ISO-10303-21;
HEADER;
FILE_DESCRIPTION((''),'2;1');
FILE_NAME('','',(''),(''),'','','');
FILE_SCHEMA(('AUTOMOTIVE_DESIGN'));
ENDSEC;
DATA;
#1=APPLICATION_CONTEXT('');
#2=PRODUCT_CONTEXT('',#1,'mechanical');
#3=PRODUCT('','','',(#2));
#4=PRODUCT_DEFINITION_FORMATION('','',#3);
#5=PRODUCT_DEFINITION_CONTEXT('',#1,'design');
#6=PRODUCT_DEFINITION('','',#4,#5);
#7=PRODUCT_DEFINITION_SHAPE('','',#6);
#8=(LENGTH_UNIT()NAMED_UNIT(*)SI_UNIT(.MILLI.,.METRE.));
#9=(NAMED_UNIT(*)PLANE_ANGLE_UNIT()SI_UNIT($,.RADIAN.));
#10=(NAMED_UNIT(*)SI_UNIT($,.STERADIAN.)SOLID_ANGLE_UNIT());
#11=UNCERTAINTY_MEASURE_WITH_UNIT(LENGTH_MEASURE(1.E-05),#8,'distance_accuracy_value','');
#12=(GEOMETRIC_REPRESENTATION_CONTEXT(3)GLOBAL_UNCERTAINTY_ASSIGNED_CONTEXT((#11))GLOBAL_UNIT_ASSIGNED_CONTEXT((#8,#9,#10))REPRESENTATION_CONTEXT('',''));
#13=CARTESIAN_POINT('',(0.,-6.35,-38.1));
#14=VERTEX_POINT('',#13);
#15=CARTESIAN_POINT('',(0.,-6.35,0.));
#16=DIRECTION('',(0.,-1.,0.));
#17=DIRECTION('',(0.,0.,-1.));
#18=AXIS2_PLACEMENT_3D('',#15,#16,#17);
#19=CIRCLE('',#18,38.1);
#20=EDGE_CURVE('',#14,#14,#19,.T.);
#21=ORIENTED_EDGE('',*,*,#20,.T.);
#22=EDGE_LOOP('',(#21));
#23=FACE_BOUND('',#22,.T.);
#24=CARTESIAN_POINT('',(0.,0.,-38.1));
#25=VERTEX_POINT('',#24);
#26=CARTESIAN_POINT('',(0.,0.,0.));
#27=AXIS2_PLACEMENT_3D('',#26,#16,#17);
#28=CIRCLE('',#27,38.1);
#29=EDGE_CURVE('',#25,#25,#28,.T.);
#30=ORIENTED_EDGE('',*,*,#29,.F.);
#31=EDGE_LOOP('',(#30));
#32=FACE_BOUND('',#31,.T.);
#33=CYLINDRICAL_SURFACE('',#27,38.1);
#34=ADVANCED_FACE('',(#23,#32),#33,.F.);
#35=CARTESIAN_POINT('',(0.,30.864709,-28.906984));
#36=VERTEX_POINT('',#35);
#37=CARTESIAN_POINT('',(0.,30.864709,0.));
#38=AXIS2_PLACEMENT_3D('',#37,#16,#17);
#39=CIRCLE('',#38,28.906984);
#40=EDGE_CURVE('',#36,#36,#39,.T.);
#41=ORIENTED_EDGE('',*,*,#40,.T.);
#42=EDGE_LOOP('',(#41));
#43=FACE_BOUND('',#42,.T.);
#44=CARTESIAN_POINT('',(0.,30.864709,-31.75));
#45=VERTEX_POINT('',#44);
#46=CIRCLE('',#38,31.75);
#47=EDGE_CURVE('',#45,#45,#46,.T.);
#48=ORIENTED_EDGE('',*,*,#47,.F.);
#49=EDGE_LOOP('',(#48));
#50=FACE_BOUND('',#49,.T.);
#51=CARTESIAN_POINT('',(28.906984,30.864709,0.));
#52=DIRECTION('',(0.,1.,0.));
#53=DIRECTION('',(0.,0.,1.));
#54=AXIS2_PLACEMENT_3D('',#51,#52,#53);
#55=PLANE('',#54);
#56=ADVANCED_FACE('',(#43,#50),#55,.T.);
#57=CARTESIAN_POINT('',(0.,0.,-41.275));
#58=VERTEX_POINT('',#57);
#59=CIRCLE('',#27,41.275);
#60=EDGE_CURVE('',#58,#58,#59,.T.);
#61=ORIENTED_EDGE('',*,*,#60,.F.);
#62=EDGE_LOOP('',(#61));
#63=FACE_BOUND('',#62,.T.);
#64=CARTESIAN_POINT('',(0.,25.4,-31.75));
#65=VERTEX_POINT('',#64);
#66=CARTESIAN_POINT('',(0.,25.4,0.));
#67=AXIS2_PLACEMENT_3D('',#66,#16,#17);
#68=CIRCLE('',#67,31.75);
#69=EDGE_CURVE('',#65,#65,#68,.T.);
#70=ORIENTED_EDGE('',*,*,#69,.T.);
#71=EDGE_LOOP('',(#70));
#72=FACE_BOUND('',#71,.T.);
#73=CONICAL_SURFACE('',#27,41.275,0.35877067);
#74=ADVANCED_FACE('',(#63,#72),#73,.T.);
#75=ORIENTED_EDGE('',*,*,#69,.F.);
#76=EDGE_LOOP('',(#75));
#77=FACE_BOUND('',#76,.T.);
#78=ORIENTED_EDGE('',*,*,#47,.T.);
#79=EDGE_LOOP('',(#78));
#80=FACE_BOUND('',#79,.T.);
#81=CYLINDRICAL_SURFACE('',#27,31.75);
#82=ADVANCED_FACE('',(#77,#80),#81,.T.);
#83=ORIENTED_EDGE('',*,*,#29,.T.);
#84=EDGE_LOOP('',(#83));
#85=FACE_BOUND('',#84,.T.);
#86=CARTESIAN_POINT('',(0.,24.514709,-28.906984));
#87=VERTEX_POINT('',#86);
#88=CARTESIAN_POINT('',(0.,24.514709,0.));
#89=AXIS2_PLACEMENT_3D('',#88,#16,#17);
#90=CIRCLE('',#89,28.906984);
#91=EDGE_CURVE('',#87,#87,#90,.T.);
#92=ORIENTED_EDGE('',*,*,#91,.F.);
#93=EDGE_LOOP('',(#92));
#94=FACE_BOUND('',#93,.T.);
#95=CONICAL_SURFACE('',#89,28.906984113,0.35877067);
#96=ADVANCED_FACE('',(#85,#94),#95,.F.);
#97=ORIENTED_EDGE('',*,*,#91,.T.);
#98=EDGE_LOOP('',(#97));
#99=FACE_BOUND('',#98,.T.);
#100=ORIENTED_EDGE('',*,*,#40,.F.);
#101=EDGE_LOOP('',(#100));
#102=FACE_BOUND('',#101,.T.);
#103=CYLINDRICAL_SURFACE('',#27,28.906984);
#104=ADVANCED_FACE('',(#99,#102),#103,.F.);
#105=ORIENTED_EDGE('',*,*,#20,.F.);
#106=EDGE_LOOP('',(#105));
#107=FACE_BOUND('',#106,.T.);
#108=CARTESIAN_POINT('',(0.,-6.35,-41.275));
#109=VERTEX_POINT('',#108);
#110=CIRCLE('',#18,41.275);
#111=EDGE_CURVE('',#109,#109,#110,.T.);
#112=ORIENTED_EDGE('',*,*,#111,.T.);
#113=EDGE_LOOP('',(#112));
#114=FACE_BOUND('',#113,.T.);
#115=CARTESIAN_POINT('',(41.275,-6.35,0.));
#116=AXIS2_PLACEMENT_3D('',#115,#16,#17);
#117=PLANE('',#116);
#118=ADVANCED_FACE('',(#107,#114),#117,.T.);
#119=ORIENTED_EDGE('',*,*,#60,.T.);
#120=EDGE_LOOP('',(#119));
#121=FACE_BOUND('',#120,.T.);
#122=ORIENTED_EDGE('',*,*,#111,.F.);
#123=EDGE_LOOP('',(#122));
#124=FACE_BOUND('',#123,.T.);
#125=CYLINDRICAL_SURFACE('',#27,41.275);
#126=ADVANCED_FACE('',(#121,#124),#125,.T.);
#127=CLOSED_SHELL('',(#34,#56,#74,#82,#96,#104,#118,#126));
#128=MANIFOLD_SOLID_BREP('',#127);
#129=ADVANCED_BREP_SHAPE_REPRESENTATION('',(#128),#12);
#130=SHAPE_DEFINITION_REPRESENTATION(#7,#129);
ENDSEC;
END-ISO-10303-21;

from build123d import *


with BuildPart() as part:
    # Sketch1 → Revolve3 (revolve)
    with BuildSketch(Plane.XY, mode=Mode.PRIVATE) as revolve3_sk:
        Polygon((38.1, 0), (28.906984113, 24.514709032), (28.906984113, 30.864709032), (31.75, 30.864709032), (31.75, 25.4), (41.275, 0), (41.275, -6.35), (38.1, -6.35), align=None)
    revolve(revolve3_sk.sketch.rotate(Axis((0, 0, 0), (0, 1, 0)), 90), axis=Axis((0, 0, 0), (0, 1, 0)))


solid = part.part
